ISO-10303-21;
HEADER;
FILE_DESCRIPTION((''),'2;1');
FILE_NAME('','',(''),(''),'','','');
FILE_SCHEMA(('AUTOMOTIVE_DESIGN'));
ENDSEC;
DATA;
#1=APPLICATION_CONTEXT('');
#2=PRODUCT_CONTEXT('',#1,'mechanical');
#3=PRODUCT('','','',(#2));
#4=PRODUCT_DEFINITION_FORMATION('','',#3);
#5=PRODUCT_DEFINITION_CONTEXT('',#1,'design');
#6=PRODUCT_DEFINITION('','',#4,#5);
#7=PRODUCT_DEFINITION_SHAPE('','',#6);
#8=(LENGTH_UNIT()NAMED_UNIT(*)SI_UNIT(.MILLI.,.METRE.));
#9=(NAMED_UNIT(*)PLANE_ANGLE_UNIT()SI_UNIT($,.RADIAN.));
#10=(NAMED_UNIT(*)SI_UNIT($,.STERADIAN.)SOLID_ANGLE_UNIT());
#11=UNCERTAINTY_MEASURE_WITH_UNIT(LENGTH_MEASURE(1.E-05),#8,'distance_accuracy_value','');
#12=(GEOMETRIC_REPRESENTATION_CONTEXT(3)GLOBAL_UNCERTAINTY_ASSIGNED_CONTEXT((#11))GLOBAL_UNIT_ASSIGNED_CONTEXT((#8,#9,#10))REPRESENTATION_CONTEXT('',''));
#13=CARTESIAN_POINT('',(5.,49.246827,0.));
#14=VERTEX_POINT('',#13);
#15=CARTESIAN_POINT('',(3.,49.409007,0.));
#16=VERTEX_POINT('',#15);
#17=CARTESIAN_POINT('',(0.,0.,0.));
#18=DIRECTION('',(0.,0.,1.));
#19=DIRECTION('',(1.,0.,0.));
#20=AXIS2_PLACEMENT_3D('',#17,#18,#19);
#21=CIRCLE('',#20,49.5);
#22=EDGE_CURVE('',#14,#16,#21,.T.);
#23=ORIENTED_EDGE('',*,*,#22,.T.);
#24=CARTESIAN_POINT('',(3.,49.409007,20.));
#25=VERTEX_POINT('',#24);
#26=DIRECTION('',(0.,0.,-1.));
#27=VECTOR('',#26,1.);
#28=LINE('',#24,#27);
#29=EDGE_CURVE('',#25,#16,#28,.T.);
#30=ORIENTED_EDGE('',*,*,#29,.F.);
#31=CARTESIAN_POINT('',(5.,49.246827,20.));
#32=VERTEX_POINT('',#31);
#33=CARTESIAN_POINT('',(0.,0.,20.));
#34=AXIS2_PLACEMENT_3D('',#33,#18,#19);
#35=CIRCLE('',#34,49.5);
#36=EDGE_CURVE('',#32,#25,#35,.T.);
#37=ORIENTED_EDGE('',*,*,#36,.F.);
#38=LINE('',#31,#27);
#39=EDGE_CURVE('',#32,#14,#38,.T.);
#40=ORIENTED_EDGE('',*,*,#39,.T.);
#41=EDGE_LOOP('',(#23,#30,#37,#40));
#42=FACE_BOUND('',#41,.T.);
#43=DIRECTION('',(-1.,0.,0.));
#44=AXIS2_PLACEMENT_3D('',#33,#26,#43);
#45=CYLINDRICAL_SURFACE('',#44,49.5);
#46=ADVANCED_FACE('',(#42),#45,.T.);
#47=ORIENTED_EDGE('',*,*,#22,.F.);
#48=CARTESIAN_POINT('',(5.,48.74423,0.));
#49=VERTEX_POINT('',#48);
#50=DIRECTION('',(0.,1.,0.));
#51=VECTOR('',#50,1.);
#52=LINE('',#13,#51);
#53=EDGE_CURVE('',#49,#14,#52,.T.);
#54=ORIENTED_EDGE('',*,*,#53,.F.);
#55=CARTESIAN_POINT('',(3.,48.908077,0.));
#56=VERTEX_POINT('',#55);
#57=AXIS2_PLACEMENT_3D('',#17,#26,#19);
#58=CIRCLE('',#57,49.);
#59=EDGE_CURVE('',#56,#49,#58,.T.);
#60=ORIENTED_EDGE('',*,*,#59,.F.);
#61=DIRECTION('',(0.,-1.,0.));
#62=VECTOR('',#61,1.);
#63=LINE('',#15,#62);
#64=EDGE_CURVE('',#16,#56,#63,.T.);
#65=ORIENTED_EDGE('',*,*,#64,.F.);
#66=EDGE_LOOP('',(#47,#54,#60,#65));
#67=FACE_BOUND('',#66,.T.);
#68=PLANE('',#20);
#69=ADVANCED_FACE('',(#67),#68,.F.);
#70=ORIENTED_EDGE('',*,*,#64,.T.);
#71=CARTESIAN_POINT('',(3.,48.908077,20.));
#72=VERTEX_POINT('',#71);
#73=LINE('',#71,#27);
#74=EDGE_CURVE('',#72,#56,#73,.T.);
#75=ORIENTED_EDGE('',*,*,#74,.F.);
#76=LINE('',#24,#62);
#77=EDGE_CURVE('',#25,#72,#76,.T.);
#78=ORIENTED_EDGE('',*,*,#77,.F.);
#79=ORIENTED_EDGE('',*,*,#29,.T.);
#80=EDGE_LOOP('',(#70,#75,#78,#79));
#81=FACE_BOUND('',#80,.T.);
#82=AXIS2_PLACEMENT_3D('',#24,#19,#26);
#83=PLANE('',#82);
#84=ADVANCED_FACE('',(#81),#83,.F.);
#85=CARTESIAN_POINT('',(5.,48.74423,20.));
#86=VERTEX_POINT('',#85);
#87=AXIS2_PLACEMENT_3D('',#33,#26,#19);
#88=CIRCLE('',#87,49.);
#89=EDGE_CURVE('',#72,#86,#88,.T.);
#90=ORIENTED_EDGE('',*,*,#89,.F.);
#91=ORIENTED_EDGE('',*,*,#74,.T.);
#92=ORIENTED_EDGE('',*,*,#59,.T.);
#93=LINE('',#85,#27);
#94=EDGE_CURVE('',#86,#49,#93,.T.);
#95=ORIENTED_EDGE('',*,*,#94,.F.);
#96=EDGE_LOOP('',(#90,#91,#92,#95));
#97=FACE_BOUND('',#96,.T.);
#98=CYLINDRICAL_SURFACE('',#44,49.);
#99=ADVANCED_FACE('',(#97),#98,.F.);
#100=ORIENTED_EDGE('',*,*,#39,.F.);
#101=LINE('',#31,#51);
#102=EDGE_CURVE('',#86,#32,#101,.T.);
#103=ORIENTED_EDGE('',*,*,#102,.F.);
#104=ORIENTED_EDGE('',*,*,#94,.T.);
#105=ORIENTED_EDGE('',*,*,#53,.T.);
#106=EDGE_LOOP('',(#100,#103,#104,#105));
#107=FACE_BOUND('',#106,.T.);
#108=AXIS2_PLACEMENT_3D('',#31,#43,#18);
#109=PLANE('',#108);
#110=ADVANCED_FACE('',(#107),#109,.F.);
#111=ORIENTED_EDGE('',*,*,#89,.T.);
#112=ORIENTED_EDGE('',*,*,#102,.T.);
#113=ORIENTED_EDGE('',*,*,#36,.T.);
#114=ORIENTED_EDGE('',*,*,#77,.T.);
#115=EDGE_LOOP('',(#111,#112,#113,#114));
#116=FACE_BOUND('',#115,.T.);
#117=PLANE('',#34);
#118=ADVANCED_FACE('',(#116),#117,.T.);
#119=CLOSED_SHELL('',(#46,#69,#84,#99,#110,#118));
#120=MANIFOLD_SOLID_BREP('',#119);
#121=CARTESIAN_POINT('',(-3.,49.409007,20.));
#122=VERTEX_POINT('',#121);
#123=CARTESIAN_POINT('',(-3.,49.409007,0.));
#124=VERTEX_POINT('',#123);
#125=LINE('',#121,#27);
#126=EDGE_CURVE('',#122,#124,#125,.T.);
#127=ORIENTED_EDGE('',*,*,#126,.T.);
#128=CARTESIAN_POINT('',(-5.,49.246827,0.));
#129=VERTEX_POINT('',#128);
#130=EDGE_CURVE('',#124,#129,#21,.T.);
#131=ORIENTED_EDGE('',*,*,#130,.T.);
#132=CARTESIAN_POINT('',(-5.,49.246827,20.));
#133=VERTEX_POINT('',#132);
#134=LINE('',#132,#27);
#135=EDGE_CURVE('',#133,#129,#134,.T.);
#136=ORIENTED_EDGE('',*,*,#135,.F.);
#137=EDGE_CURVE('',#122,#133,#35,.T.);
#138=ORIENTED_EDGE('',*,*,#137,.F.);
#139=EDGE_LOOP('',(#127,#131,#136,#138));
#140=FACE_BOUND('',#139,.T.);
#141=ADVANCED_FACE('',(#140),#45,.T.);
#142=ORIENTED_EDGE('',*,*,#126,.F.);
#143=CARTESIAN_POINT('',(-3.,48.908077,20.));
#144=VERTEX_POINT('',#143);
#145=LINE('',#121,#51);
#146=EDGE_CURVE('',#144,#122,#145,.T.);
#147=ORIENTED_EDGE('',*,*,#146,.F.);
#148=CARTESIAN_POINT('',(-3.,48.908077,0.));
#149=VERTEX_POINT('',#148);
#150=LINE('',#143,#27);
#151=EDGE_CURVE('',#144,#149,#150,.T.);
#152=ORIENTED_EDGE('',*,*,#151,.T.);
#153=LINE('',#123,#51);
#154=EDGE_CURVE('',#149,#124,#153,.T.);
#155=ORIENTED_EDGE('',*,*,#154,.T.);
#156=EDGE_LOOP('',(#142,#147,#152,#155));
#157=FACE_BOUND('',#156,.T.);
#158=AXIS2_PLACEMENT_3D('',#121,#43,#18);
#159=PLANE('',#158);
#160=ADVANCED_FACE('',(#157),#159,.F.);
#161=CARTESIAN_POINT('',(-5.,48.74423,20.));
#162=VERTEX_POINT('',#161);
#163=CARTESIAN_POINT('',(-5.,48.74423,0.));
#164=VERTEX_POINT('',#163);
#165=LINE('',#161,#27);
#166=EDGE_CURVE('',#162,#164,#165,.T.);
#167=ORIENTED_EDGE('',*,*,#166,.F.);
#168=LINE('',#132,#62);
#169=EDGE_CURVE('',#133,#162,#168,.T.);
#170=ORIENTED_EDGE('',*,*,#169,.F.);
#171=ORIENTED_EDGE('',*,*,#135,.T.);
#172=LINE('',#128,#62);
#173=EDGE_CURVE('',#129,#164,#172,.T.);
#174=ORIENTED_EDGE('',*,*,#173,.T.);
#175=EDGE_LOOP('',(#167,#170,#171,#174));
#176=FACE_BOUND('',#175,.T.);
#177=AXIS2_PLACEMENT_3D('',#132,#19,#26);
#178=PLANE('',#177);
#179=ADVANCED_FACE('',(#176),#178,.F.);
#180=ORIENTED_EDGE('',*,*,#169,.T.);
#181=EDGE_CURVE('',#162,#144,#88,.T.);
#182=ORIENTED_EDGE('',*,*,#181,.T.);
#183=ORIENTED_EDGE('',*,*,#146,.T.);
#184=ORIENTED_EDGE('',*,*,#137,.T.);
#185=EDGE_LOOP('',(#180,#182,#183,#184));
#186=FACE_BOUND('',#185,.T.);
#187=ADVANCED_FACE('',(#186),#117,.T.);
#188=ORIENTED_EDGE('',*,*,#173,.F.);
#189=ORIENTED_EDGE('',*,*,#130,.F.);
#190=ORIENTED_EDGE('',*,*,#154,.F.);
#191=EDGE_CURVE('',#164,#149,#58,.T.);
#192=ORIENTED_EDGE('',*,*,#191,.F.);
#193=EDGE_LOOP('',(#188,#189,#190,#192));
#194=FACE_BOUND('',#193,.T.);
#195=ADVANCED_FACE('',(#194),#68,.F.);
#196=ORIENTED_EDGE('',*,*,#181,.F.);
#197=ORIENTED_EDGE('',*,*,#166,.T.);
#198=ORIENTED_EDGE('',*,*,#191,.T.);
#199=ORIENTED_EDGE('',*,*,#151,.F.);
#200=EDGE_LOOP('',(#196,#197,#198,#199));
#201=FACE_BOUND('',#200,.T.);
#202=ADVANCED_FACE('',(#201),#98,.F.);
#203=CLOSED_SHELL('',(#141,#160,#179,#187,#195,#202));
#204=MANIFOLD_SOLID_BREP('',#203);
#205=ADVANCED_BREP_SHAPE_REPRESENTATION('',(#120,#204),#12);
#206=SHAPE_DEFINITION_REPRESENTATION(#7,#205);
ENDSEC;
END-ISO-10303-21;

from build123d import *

# Parameters (mm, degrees)
BOSS_EXTRUDE4_DEPTH   = 20
BOSS_EXTRUDE4_2_DEPTH = 20


with BuildPart() as part:
    # Sketch4 → Boss-Extrude4 (new body)
    with BuildSketch(Plane.XY):
        with BuildLine():
            Line((5, 49.246827309), (5, 48.744230428))
            ThreePointArc((5, 48.744230428), (4.000838841, 48.836393075), (3, 48.908077043))
            Line((3, 48.908077043), (3, 49.409007276))
            ThreePointArc((3, 49.409007276), (4.000821864, 49.338052499), (5, 49.246827309))
        make_face()
    extrude(amount=BOSS_EXTRUDE4_DEPTH)


with BuildPart() as body_2:
    # Sketch4 → Boss-Extrude4 2 (new body)
    with BuildSketch(Plane.XY):
        with BuildLine():
            Line((-3, 49.409007276), (-3, 48.908077043))
            ThreePointArc((-3, 48.908077043), (-4.000838841, 48.836393075), (-5, 48.744230428))
            Line((-5, 48.744230428), (-5, 49.246827309))
            ThreePointArc((-5, 49.246827309), (-4.000821864, 49.338052499), (-3, 49.409007276))
        make_face()
    extrude(amount=BOSS_EXTRUDE4_2_DEPTH)


solid = Compound([part.part, body_2.part])
